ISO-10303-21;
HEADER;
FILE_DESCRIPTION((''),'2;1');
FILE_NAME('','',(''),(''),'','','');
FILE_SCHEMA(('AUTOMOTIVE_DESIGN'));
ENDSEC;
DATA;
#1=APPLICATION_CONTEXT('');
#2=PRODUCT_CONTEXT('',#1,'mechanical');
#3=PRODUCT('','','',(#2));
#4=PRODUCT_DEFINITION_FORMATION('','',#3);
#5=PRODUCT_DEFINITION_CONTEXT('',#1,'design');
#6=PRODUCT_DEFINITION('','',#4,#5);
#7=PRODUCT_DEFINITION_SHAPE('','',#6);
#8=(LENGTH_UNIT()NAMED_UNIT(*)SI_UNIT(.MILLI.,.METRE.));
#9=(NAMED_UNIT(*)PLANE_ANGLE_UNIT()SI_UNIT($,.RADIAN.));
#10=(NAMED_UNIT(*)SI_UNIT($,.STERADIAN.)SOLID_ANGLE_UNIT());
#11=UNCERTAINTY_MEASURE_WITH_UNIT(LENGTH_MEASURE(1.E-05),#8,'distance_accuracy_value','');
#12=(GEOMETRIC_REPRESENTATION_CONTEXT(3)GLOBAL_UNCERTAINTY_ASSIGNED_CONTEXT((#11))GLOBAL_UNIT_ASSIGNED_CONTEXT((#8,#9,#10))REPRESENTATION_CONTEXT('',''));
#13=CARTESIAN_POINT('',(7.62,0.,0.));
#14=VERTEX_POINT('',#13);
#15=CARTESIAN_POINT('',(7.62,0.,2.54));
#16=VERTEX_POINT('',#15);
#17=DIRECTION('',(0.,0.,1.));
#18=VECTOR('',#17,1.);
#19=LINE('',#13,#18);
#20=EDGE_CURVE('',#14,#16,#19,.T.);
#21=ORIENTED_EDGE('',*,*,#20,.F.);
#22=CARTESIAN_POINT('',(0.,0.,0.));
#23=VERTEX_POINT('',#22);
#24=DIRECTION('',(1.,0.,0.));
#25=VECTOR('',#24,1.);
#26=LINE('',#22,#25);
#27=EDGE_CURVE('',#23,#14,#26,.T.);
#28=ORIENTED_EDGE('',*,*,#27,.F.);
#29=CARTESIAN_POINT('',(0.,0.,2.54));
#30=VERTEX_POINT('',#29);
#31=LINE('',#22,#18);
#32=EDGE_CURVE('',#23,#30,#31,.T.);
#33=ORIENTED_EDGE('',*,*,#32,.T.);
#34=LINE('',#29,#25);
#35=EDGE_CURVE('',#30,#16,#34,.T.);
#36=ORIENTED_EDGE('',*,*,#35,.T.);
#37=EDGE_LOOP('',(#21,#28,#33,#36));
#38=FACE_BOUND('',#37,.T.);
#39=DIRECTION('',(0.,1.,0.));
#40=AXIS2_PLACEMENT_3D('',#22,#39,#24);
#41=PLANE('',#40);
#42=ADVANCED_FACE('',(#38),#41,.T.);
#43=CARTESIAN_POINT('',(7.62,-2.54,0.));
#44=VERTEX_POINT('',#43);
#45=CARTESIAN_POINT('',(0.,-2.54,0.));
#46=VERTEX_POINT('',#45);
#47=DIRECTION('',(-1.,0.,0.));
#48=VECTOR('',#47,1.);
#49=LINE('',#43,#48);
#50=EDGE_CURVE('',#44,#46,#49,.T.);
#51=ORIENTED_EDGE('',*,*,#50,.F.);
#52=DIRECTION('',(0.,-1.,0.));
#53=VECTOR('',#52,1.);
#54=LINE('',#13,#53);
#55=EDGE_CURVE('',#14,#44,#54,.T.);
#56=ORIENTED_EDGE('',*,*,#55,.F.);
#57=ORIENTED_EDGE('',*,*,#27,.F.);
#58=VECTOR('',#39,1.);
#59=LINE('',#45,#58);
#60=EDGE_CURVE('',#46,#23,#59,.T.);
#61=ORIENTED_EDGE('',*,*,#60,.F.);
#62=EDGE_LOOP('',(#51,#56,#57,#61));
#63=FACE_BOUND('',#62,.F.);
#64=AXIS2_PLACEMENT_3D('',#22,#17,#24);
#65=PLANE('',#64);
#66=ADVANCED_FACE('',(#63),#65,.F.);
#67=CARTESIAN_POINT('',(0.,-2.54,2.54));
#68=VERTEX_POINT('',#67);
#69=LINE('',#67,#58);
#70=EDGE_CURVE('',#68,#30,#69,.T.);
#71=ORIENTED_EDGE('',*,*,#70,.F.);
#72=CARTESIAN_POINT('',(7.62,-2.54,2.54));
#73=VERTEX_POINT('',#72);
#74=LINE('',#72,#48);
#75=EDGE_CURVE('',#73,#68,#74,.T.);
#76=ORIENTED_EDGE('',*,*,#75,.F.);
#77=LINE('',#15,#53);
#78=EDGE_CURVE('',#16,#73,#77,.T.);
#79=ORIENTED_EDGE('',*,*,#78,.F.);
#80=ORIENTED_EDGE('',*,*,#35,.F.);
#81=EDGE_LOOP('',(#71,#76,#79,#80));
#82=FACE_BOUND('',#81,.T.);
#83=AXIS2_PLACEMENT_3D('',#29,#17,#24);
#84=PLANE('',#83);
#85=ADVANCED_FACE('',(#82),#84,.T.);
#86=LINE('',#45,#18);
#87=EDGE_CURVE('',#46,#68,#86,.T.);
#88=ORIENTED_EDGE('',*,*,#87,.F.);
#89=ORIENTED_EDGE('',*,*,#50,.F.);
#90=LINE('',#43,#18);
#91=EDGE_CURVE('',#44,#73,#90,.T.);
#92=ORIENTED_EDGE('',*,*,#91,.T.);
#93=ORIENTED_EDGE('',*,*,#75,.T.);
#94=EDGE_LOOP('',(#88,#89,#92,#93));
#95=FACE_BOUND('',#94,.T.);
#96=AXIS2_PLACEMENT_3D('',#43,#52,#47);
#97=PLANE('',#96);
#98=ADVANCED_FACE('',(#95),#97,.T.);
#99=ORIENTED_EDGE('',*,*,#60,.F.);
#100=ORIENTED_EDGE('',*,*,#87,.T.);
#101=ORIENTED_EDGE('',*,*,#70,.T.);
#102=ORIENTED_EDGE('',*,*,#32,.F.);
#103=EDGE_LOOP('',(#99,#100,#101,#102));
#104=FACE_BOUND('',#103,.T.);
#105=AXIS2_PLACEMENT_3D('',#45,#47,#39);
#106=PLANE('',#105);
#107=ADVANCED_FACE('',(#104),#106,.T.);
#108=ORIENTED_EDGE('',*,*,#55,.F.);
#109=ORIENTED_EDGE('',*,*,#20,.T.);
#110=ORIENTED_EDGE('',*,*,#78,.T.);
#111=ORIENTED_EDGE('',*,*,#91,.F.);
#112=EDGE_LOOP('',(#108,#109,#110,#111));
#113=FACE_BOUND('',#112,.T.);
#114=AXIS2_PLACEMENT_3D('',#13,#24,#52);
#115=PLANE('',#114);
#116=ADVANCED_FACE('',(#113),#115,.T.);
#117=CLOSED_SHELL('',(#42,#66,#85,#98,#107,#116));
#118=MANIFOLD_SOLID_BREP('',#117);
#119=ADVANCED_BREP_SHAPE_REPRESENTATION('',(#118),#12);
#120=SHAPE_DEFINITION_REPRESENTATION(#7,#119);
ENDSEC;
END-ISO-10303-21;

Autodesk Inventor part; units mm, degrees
ref_plane "YZ Plane" through (0, 0, 0) normal (1, 0, 0) x (0, 1, 0)
ref_plane "XZ Plane" through (0, 0, 0) normal (0, 1, 0) x (-1, 0, 0)
ref_plane "XY Plane" through (0, 0, 0) normal (0, 0, 1) x (1, 0, 0)
sketch "Sketch1" plane through (0, 0, 0) normal (0, 0, 1) x (1, 0, 0)
  line L0 (0, 0) -> (7.62, 0)
  line L1 (7.62, 0) -> (7.62, -2.54)
  line L2 (7.62, -2.54) -> (0, -2.54)
  line L3 (0, -2.54) -> (0, 0)
  dimension "d0" = 7.62
  dimension "d1" = 2.54
extrude "Extrusion1" add sketch "Sketch1" along normal blind 2.54
properties part number "IRIOBase" material "ABS Plastic"
